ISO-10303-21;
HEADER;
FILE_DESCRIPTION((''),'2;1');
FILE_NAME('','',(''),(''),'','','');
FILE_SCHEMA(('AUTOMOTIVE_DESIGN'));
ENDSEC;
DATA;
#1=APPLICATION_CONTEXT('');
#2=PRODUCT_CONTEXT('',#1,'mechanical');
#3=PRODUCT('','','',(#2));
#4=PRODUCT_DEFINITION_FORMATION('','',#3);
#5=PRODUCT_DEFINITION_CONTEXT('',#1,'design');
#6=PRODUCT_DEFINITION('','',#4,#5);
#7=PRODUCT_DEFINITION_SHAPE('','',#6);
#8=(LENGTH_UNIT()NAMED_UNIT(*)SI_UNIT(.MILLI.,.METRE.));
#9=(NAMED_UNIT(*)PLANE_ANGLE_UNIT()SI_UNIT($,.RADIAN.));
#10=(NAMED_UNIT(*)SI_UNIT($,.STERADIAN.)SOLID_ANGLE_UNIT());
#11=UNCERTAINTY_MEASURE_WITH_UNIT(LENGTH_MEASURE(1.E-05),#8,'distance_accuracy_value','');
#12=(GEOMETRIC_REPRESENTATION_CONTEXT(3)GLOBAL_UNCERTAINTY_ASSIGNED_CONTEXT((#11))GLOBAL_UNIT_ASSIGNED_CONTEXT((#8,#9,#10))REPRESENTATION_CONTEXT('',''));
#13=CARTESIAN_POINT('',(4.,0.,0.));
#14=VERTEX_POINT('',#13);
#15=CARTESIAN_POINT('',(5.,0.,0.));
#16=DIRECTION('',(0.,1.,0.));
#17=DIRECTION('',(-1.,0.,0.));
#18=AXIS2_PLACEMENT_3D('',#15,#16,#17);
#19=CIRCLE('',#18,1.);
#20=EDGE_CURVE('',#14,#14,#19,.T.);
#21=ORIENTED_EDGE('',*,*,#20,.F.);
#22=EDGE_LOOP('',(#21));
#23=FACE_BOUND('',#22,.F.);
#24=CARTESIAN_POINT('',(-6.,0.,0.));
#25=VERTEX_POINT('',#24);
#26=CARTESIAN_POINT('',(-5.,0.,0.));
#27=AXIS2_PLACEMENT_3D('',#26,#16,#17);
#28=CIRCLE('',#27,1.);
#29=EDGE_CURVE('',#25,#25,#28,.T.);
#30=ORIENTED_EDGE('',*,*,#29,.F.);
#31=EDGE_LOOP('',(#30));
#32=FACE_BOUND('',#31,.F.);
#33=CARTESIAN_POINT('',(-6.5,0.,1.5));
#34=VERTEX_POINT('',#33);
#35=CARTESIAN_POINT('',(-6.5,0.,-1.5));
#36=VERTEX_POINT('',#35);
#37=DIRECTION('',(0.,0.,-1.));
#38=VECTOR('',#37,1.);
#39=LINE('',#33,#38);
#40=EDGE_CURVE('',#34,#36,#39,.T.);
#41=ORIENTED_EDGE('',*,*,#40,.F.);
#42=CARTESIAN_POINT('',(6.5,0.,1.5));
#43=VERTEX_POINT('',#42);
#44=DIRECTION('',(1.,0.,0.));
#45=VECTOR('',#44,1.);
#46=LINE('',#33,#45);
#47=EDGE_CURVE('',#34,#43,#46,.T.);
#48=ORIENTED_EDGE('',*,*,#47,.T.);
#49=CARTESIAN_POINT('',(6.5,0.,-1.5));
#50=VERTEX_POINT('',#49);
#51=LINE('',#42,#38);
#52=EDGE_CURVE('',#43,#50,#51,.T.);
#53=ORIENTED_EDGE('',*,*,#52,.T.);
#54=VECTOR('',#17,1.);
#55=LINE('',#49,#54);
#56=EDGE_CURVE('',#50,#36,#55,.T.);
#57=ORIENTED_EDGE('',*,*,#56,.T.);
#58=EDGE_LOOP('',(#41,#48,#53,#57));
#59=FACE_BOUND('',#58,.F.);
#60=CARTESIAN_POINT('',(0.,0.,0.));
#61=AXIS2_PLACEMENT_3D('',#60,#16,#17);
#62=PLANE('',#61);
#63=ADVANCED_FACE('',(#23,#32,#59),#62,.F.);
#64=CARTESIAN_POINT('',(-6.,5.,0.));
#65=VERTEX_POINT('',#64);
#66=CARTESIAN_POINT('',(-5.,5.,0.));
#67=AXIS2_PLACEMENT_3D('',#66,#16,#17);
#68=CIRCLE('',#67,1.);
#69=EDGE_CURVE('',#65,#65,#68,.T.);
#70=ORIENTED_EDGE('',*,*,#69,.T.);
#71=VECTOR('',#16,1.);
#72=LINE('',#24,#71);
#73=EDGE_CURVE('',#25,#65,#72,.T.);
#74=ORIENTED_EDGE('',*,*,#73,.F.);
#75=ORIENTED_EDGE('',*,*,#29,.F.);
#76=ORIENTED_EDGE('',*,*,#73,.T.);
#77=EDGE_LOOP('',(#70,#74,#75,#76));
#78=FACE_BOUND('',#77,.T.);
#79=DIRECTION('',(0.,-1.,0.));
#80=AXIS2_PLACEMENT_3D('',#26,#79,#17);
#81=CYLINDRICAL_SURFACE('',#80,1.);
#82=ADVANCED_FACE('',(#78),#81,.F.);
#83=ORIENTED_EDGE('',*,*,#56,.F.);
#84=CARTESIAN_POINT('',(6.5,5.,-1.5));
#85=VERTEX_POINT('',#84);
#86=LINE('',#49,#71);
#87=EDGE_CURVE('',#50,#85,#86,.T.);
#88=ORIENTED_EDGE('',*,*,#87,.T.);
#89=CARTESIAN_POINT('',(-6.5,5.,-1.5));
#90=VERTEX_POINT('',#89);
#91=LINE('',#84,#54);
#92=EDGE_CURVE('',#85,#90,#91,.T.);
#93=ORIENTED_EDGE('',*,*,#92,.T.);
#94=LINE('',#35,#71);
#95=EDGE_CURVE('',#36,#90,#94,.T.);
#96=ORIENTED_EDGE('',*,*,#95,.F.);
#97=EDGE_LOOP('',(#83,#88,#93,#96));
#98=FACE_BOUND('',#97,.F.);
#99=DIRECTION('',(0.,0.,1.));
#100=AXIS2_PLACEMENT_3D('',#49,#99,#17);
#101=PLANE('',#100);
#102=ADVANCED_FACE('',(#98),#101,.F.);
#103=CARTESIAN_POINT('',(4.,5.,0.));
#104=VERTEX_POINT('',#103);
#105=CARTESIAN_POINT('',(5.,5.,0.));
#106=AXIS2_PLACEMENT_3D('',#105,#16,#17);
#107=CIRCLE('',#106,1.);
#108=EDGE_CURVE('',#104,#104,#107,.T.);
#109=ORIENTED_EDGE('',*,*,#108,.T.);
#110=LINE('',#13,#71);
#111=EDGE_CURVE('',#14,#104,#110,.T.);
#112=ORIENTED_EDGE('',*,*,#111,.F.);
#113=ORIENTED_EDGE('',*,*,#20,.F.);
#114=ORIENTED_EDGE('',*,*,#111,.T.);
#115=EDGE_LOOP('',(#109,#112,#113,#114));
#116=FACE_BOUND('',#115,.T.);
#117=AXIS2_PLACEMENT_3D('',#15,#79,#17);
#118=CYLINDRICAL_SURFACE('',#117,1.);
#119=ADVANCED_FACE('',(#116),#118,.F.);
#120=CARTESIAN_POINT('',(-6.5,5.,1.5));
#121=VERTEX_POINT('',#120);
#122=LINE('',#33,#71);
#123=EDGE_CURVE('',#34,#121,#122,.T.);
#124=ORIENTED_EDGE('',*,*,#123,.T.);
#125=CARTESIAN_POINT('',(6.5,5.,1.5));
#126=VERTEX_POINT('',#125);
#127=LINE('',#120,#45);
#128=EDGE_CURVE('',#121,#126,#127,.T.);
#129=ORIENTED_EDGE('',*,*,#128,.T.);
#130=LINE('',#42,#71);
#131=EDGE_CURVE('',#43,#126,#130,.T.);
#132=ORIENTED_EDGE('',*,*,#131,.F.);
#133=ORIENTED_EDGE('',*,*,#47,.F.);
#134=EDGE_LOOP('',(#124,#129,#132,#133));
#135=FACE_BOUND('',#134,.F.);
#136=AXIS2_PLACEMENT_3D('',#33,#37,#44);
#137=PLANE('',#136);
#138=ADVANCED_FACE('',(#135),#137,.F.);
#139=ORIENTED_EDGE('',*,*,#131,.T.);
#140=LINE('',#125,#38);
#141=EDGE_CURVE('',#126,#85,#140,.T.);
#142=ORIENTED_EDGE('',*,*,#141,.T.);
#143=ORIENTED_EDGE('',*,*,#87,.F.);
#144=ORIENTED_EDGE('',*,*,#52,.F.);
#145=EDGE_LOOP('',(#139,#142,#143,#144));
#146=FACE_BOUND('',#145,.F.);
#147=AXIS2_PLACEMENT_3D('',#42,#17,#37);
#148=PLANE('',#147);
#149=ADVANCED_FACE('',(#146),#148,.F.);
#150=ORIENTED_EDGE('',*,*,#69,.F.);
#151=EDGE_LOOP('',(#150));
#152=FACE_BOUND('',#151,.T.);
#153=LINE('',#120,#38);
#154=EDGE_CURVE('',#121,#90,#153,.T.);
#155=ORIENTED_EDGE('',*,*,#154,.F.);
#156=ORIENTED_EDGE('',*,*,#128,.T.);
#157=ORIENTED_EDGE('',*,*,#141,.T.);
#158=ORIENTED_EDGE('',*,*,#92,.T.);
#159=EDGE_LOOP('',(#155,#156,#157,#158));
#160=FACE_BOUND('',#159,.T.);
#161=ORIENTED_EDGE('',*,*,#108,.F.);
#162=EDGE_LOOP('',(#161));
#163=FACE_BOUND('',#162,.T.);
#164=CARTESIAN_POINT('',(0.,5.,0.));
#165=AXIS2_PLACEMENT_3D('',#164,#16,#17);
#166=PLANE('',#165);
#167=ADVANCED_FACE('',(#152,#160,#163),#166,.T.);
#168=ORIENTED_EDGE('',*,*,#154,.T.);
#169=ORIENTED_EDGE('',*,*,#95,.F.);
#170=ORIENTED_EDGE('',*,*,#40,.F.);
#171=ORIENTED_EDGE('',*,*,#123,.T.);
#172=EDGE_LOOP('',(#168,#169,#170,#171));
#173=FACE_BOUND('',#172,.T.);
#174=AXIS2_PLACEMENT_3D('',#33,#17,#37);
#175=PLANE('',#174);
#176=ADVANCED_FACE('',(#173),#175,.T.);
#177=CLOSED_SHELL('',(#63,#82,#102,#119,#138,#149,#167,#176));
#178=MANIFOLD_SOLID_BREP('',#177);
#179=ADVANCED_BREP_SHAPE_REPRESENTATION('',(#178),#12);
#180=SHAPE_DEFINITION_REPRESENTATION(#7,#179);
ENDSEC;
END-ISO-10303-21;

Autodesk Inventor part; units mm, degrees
ref_plane "YZ Plane" through (0, 0, 0) normal (1, 0, 0) x (0, 1, 0)
ref_plane "XZ Plane" through (0, 0, 0) normal (0, 1, 0) x (-1, 0, 0)
ref_plane "XY Plane" through (0, 0, 0) normal (0, 0, 1) x (1, 0, 0)
sketch "Sketch1" plane through (0, 0, 0) normal (0, 1, 0) x (-1, 0, 0)
  line L0 (-6.5, -1.5) -> (6.5, -1.5)
  line L1 (6.5, 3.5) -> (6.5, 3.5)
  line L2 (6.5, 1.5) -> (-6.5, 1.5)
  line L3 (-6.5, 3.5) -> (-6.5, 3.5)
  line L4 (-6.5, -1.5) -> (6.5, 1.5) construction
  line L5 (6.5, -1.5) -> (-6.5, 1.5) construction
  circle A0 centre (5, 0) radius 1
  line L6 (-6.5, 1.5) -> (-6.5, -1.5)
  line L7 (6.5, 1.5) -> (6.5, -1.5)
  line L8 (-6.5, 1.5) -> (-7.5, 1.5)
  circle A1 centre (-5, 0) radius 1
  point P0 (0, 0)
  dimension "d0" = 3
  dimension "d1" = 13
  dimension "d3" = 2
  dimension "d6" = 1.5
  dimension "d8" = 1.5
  dimension "d21" = 2
  dimension "d22" = 1.5
  dimension "d23" = 1.5
extrude "Extrusion1" add sketch "Sketch1" along normal blind 5
properties part number "link"
